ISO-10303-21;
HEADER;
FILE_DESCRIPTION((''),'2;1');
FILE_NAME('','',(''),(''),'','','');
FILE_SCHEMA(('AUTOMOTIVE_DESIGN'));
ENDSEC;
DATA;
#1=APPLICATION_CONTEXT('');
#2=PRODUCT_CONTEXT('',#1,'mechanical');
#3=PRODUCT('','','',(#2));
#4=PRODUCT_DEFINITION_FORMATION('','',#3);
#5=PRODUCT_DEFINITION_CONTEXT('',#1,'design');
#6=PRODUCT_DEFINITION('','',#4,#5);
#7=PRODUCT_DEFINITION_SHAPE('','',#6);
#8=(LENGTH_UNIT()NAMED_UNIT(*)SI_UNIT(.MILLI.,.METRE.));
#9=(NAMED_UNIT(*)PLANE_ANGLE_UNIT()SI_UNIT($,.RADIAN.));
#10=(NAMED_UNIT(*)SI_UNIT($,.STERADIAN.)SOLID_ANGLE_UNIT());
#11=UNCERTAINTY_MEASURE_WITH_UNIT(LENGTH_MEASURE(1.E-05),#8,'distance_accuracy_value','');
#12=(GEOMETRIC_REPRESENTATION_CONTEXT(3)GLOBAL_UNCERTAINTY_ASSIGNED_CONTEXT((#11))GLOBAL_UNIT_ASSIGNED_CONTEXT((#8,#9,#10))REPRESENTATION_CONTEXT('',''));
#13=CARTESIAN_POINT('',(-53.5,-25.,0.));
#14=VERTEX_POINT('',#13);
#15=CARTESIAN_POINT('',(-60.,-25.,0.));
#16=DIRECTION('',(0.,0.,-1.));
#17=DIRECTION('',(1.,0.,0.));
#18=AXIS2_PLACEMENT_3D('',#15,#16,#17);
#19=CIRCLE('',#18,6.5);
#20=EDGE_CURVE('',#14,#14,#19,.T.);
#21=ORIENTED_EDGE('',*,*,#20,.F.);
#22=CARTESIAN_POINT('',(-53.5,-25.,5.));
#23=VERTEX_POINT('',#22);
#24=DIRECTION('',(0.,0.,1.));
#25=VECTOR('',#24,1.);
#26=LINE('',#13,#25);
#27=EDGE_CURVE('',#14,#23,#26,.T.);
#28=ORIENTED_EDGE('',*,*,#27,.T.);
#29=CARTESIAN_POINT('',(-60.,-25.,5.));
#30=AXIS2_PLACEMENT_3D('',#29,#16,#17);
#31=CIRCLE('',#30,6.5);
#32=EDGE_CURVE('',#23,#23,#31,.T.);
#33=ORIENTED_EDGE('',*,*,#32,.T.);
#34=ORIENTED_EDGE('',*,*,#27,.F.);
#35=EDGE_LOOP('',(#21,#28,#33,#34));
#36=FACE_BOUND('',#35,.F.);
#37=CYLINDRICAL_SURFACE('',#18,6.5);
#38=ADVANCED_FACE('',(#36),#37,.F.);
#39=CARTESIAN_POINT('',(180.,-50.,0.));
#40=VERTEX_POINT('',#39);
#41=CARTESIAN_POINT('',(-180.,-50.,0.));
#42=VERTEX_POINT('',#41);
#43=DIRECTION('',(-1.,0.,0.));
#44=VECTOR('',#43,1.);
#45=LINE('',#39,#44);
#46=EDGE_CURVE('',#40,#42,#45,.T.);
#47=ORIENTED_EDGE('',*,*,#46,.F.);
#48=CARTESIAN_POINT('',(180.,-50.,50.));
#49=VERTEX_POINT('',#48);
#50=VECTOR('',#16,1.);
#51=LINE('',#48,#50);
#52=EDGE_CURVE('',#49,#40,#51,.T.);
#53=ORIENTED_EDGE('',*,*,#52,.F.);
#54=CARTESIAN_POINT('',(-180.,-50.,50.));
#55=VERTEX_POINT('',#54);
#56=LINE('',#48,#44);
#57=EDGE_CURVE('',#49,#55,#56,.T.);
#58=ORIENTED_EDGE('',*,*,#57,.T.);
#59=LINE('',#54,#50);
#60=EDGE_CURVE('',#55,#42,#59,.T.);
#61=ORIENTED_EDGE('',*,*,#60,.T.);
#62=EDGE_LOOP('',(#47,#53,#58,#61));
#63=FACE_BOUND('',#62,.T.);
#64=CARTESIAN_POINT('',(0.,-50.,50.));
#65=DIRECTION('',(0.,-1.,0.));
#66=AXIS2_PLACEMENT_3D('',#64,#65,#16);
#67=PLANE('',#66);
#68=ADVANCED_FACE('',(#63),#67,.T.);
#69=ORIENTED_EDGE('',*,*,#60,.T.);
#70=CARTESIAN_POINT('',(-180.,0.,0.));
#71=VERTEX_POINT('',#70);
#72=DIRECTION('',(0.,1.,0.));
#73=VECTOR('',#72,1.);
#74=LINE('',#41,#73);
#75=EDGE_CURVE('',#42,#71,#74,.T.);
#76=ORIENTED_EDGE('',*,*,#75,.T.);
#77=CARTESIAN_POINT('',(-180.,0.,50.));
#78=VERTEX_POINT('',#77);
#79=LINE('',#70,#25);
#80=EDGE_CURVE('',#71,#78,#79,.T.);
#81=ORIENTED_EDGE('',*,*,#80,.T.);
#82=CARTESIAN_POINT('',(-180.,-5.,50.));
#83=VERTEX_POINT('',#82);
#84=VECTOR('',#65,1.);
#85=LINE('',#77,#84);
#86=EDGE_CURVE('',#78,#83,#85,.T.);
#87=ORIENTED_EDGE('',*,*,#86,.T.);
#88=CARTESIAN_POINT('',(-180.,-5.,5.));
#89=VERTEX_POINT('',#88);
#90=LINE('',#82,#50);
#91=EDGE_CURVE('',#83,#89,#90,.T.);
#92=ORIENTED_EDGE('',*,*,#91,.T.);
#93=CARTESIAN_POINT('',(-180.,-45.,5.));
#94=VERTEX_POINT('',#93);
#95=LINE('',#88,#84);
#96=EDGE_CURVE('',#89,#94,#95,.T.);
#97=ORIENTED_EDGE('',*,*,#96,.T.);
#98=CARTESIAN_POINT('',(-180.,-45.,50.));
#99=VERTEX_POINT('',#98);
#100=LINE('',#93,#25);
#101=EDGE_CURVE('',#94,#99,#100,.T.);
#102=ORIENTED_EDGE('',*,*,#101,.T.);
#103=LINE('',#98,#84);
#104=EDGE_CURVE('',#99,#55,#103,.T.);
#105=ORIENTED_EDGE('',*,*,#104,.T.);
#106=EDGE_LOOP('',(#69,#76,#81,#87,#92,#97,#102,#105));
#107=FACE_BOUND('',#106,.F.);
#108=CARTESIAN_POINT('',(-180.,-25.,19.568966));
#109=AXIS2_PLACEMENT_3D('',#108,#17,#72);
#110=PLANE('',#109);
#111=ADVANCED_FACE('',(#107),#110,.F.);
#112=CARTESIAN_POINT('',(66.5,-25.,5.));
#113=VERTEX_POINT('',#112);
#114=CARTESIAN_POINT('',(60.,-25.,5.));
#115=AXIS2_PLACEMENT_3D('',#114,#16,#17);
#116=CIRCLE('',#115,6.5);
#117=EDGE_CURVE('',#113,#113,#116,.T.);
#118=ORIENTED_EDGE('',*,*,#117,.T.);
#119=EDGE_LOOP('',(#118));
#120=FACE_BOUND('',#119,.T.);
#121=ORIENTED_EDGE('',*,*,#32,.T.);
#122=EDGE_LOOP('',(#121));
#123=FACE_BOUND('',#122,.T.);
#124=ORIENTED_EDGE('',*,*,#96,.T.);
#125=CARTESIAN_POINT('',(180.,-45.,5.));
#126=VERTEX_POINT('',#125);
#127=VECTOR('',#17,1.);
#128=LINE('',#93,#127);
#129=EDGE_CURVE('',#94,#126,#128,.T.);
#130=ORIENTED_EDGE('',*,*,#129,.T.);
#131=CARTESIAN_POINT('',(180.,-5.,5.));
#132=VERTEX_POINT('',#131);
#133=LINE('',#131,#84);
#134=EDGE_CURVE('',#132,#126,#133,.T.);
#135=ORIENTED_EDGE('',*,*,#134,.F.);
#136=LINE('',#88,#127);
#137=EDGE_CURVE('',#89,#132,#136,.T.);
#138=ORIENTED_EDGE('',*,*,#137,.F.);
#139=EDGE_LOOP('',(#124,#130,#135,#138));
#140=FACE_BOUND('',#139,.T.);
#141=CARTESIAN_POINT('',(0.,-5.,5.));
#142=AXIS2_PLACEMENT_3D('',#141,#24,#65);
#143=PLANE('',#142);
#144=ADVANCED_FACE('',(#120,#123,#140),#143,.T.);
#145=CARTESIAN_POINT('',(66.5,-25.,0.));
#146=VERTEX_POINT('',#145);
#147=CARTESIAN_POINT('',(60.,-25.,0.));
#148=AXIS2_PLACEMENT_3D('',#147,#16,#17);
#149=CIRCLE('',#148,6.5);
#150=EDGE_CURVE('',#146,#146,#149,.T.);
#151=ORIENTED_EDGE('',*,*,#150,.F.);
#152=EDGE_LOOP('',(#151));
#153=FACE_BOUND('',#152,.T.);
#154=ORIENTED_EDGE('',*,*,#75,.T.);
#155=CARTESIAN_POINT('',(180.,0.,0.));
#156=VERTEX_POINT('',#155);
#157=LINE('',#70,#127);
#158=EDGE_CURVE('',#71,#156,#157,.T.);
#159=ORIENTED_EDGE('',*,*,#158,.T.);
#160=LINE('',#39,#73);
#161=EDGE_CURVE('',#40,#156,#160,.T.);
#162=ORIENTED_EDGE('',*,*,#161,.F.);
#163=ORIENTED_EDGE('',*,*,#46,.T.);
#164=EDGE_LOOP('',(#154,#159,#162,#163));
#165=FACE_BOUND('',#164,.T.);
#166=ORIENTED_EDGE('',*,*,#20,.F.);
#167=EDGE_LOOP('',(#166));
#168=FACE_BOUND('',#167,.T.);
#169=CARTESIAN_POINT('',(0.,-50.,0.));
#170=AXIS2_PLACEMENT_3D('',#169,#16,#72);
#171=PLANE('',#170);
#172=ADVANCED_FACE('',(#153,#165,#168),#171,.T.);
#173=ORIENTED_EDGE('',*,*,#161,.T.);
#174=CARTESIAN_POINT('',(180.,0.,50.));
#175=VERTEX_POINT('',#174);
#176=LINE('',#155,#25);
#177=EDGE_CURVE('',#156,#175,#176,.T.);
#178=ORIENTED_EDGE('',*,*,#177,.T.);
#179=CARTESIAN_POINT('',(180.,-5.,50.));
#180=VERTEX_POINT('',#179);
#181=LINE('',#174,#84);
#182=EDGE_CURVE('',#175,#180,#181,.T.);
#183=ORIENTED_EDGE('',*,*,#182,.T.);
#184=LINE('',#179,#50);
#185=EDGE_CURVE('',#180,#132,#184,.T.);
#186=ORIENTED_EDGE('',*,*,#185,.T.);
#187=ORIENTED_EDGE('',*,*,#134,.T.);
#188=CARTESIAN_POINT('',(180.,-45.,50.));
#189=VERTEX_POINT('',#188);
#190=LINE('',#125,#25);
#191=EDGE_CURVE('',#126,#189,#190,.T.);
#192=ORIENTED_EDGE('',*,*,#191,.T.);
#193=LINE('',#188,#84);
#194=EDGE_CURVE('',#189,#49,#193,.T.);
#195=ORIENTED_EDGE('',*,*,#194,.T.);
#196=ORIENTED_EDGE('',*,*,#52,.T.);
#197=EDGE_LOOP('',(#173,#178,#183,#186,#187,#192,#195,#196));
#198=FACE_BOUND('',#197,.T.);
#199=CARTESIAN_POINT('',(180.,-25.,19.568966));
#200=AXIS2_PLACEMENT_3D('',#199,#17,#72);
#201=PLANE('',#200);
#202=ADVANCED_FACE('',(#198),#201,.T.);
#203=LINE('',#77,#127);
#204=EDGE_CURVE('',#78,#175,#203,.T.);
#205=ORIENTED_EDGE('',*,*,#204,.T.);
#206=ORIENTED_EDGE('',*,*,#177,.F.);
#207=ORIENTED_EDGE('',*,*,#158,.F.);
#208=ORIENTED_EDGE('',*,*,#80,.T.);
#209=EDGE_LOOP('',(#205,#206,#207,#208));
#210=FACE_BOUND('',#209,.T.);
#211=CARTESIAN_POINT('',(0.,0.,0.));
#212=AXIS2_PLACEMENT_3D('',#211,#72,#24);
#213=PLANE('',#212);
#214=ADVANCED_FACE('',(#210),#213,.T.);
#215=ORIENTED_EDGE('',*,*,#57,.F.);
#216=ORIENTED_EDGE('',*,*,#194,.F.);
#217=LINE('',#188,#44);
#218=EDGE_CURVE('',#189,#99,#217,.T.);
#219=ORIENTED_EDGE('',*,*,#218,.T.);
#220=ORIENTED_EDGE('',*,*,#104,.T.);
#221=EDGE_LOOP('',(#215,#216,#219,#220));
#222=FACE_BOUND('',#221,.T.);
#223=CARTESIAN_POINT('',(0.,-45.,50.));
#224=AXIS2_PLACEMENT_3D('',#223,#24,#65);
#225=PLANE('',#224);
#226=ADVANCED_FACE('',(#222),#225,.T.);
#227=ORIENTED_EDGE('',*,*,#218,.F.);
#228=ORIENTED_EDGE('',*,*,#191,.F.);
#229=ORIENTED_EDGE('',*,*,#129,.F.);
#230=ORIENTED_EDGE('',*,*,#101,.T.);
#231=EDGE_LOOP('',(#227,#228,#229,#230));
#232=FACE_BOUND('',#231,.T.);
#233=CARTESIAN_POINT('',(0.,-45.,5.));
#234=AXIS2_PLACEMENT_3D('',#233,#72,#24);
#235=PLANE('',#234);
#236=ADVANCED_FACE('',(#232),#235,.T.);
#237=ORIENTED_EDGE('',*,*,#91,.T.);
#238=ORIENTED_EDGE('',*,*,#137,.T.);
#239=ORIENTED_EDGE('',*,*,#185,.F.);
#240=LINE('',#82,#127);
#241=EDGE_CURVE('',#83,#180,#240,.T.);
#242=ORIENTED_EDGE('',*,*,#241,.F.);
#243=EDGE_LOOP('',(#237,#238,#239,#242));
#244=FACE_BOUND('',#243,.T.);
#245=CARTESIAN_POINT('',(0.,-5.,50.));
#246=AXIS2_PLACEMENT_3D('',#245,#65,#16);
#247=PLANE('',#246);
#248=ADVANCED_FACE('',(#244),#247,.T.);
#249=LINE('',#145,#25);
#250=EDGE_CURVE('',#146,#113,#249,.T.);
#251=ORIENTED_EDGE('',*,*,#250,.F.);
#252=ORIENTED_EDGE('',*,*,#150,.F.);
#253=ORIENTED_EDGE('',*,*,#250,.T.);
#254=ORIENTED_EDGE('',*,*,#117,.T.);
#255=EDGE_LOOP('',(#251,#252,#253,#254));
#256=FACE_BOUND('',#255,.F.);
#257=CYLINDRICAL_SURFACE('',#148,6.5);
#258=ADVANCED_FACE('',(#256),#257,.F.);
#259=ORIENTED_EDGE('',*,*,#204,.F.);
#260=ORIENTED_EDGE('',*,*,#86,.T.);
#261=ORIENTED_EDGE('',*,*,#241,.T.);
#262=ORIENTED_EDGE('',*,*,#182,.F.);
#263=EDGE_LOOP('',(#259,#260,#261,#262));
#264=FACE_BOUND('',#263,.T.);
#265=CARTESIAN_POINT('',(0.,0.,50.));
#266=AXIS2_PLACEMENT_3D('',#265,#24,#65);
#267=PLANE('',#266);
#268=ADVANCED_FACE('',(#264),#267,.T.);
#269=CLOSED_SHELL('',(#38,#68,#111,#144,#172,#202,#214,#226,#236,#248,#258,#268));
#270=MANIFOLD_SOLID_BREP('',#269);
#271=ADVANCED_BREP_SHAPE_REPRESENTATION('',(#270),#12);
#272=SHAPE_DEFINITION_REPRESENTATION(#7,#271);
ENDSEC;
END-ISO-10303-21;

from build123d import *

# Parameters (mm, degrees)
F1_DEPTH = 180
F2_R     = 6.5
F3_DEPTH = 25


with BuildPart() as f1:
    # F0 (on Right) → F1 (new body, symmetric)
    with BuildSketch(Plane.YZ):
        Polygon((-50, 0), (0, 0), (0, 50), (-5, 50), (-5, 5), (-45, 5), (-45, 50), (-50, 50), align=None)
    extrude(amount=F1_DEPTH, both=True)

    # F2 (on face) → F3 (cut)
    with BuildSketch(Plane(origin=(0, 0, 0), x_dir=(1, 0, 0), z_dir=(0, 0, -1))):
        with Locations((-60, 25)):
            Circle(F2_R)
        with Locations((60, 25)):
            Circle(F2_R)
    extrude(amount=-F3_DEPTH, mode=Mode.SUBTRACT)


solid = f1.part
